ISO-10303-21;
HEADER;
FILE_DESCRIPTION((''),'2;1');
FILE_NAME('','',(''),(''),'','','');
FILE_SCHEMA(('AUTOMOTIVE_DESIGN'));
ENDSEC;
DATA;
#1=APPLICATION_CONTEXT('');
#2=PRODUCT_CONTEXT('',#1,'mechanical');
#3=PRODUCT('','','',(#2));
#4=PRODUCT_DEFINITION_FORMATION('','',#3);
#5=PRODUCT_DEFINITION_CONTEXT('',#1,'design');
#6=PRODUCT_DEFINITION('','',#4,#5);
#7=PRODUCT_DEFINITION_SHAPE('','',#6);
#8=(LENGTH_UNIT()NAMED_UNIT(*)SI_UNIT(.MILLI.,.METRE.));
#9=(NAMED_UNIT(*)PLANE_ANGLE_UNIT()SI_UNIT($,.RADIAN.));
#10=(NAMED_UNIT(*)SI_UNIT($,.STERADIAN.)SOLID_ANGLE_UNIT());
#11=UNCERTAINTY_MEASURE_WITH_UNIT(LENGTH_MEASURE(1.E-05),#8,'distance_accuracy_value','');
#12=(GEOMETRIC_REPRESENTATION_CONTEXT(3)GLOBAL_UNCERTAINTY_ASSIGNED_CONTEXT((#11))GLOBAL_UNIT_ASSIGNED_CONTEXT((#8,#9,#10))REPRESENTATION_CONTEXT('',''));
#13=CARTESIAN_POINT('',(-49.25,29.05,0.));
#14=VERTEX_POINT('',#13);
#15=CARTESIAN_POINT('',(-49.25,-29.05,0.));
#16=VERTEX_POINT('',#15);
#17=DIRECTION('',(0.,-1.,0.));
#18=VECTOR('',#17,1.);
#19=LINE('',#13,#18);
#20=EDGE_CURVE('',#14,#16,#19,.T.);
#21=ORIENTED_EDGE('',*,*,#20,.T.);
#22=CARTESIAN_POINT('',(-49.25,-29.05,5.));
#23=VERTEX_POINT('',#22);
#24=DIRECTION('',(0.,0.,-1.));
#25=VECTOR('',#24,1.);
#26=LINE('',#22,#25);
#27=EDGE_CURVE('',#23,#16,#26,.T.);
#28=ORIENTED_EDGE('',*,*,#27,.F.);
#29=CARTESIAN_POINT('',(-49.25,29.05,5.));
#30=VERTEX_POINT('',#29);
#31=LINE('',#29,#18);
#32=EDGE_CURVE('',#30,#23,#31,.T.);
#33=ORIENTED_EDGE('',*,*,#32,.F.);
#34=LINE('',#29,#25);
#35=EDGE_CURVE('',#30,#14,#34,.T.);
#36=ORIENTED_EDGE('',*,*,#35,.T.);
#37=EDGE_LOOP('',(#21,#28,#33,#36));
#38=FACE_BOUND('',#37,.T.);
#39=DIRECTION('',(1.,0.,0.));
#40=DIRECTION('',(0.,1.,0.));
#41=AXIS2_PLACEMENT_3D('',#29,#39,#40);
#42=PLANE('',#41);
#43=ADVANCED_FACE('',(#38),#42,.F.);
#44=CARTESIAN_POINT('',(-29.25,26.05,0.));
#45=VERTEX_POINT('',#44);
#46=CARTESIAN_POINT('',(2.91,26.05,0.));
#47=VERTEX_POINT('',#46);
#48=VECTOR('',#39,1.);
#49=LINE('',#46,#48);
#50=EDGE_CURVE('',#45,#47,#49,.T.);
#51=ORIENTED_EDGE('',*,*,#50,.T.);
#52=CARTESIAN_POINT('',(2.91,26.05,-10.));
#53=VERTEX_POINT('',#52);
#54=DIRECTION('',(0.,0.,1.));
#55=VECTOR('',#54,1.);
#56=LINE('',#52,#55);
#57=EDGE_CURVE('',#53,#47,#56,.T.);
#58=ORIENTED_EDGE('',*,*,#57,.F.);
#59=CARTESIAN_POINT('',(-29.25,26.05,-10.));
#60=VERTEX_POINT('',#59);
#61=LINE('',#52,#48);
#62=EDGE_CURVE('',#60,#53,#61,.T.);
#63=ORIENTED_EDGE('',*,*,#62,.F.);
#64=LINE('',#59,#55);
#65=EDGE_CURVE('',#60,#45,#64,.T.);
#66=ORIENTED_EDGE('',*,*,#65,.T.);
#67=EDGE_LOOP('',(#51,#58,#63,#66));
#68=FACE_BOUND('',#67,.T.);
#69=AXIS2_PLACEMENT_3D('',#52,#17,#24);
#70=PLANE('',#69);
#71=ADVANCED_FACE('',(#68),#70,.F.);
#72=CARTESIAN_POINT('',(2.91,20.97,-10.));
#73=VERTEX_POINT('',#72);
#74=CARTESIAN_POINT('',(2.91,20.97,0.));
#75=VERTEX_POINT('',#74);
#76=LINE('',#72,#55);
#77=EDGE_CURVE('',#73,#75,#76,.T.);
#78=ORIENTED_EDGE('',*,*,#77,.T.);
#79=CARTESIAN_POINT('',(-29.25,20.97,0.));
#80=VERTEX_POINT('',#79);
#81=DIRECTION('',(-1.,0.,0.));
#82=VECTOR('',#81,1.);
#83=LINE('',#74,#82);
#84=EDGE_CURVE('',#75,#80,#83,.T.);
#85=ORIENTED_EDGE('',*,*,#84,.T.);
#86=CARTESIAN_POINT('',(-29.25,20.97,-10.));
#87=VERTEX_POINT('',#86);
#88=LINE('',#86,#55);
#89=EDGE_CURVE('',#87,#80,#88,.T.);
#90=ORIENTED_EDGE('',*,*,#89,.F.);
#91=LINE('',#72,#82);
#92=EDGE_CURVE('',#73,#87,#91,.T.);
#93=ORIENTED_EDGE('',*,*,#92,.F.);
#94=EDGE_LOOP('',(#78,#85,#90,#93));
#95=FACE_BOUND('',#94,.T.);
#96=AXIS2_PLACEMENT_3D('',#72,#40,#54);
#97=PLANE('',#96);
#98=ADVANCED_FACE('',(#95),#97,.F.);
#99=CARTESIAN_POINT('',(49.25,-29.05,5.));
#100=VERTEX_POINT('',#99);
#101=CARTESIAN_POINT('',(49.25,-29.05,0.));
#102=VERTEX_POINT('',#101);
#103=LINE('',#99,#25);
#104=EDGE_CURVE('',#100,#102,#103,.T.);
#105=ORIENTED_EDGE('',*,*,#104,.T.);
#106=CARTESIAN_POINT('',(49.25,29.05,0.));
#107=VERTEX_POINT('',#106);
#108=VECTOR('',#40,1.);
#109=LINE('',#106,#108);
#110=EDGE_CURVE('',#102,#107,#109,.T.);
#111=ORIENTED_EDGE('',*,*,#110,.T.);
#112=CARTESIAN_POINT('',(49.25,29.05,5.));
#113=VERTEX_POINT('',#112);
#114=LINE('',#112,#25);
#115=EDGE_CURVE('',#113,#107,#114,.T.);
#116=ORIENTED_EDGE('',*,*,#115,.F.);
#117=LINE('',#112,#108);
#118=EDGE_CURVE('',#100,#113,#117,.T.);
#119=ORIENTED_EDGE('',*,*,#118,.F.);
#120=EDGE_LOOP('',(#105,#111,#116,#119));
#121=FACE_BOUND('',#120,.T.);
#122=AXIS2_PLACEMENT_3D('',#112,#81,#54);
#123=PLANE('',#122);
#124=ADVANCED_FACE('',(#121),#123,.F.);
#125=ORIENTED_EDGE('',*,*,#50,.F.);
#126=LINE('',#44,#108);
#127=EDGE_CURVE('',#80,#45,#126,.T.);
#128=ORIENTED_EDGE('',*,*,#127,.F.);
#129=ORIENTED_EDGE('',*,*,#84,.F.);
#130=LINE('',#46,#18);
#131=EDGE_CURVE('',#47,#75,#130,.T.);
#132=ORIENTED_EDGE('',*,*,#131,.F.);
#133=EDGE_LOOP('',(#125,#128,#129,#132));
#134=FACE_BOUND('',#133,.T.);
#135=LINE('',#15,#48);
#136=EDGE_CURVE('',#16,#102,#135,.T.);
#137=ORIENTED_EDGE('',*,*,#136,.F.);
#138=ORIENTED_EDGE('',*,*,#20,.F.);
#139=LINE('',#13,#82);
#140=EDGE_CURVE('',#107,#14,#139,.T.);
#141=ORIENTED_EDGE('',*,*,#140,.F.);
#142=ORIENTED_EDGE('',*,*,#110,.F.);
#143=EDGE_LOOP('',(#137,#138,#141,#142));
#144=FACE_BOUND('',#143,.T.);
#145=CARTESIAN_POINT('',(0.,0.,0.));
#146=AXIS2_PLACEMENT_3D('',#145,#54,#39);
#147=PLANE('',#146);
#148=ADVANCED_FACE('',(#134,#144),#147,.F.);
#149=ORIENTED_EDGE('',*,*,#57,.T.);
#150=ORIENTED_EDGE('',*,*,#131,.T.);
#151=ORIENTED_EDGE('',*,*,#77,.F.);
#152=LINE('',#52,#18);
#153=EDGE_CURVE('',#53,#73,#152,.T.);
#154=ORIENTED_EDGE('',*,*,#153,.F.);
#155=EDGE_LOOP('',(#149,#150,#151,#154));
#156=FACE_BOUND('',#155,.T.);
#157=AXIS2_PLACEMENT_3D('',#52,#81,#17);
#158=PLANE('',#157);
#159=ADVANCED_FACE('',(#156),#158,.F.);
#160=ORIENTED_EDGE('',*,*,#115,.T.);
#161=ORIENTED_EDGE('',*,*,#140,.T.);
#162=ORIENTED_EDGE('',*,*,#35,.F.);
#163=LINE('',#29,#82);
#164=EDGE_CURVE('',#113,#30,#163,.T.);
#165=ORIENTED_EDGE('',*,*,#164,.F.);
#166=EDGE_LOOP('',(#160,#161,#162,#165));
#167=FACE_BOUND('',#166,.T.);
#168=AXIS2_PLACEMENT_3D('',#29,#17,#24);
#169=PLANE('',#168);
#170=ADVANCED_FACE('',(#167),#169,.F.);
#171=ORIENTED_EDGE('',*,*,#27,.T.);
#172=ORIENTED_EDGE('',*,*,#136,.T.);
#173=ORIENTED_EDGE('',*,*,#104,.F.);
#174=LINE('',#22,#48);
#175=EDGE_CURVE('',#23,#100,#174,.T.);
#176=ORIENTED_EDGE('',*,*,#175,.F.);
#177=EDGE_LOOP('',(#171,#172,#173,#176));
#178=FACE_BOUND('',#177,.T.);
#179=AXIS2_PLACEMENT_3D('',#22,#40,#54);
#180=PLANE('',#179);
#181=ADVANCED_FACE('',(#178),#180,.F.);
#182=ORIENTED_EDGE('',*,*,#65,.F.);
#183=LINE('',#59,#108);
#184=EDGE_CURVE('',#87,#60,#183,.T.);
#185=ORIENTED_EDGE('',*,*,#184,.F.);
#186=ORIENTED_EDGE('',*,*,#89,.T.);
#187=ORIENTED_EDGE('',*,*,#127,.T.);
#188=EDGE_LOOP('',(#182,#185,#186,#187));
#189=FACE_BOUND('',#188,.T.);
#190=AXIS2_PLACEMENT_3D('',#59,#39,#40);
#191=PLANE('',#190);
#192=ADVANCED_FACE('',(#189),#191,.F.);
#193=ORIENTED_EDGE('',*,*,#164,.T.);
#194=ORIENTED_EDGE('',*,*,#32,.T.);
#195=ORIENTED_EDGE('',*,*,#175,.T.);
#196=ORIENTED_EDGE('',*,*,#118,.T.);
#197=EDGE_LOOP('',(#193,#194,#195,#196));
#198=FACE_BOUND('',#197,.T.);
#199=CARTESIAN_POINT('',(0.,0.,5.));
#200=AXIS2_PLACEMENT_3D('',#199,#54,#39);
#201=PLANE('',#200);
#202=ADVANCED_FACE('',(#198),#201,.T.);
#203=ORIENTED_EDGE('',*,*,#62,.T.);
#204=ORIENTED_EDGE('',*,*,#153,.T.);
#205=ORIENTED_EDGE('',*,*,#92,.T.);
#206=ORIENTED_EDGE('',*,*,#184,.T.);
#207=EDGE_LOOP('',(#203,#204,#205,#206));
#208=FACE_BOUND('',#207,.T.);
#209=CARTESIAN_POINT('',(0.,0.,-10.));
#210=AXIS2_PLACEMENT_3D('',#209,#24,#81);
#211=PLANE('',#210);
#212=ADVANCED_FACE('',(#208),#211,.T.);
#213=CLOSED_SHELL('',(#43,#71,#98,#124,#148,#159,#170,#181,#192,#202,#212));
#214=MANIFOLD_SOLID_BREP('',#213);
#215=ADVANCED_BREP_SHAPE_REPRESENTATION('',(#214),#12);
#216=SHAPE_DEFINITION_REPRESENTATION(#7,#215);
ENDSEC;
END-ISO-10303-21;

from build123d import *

# Parameters (mm, degrees)
SKETCH1_W           = 98.5
SKETCH1_H           = 58.1
BOSS_EXTRUDE1_DEPTH = 5
SKETCH2_W           = 32.16
SKETCH2_H           = 5.08
BOSS_EXTRUDE2_DEPTH = 10


with BuildPart() as part:
    # Sketch1 → Boss-Extrude1 (new body)
    with BuildSketch(Plane.XY):
        Rectangle(SKETCH1_W, SKETCH1_H)
    extrude(amount=BOSS_EXTRUDE1_DEPTH)

    # Sketch2 → Boss-Extrude2 (add)
    with BuildSketch(Plane(origin=(0, 0, 0), x_dir=(-1, 0, 0), z_dir=(0, 0, -1))):
        with Locations((13.17, 23.51)):
            Rectangle(SKETCH2_W, SKETCH2_H)
    extrude(amount=BOSS_EXTRUDE2_DEPTH)


solid = part.part
